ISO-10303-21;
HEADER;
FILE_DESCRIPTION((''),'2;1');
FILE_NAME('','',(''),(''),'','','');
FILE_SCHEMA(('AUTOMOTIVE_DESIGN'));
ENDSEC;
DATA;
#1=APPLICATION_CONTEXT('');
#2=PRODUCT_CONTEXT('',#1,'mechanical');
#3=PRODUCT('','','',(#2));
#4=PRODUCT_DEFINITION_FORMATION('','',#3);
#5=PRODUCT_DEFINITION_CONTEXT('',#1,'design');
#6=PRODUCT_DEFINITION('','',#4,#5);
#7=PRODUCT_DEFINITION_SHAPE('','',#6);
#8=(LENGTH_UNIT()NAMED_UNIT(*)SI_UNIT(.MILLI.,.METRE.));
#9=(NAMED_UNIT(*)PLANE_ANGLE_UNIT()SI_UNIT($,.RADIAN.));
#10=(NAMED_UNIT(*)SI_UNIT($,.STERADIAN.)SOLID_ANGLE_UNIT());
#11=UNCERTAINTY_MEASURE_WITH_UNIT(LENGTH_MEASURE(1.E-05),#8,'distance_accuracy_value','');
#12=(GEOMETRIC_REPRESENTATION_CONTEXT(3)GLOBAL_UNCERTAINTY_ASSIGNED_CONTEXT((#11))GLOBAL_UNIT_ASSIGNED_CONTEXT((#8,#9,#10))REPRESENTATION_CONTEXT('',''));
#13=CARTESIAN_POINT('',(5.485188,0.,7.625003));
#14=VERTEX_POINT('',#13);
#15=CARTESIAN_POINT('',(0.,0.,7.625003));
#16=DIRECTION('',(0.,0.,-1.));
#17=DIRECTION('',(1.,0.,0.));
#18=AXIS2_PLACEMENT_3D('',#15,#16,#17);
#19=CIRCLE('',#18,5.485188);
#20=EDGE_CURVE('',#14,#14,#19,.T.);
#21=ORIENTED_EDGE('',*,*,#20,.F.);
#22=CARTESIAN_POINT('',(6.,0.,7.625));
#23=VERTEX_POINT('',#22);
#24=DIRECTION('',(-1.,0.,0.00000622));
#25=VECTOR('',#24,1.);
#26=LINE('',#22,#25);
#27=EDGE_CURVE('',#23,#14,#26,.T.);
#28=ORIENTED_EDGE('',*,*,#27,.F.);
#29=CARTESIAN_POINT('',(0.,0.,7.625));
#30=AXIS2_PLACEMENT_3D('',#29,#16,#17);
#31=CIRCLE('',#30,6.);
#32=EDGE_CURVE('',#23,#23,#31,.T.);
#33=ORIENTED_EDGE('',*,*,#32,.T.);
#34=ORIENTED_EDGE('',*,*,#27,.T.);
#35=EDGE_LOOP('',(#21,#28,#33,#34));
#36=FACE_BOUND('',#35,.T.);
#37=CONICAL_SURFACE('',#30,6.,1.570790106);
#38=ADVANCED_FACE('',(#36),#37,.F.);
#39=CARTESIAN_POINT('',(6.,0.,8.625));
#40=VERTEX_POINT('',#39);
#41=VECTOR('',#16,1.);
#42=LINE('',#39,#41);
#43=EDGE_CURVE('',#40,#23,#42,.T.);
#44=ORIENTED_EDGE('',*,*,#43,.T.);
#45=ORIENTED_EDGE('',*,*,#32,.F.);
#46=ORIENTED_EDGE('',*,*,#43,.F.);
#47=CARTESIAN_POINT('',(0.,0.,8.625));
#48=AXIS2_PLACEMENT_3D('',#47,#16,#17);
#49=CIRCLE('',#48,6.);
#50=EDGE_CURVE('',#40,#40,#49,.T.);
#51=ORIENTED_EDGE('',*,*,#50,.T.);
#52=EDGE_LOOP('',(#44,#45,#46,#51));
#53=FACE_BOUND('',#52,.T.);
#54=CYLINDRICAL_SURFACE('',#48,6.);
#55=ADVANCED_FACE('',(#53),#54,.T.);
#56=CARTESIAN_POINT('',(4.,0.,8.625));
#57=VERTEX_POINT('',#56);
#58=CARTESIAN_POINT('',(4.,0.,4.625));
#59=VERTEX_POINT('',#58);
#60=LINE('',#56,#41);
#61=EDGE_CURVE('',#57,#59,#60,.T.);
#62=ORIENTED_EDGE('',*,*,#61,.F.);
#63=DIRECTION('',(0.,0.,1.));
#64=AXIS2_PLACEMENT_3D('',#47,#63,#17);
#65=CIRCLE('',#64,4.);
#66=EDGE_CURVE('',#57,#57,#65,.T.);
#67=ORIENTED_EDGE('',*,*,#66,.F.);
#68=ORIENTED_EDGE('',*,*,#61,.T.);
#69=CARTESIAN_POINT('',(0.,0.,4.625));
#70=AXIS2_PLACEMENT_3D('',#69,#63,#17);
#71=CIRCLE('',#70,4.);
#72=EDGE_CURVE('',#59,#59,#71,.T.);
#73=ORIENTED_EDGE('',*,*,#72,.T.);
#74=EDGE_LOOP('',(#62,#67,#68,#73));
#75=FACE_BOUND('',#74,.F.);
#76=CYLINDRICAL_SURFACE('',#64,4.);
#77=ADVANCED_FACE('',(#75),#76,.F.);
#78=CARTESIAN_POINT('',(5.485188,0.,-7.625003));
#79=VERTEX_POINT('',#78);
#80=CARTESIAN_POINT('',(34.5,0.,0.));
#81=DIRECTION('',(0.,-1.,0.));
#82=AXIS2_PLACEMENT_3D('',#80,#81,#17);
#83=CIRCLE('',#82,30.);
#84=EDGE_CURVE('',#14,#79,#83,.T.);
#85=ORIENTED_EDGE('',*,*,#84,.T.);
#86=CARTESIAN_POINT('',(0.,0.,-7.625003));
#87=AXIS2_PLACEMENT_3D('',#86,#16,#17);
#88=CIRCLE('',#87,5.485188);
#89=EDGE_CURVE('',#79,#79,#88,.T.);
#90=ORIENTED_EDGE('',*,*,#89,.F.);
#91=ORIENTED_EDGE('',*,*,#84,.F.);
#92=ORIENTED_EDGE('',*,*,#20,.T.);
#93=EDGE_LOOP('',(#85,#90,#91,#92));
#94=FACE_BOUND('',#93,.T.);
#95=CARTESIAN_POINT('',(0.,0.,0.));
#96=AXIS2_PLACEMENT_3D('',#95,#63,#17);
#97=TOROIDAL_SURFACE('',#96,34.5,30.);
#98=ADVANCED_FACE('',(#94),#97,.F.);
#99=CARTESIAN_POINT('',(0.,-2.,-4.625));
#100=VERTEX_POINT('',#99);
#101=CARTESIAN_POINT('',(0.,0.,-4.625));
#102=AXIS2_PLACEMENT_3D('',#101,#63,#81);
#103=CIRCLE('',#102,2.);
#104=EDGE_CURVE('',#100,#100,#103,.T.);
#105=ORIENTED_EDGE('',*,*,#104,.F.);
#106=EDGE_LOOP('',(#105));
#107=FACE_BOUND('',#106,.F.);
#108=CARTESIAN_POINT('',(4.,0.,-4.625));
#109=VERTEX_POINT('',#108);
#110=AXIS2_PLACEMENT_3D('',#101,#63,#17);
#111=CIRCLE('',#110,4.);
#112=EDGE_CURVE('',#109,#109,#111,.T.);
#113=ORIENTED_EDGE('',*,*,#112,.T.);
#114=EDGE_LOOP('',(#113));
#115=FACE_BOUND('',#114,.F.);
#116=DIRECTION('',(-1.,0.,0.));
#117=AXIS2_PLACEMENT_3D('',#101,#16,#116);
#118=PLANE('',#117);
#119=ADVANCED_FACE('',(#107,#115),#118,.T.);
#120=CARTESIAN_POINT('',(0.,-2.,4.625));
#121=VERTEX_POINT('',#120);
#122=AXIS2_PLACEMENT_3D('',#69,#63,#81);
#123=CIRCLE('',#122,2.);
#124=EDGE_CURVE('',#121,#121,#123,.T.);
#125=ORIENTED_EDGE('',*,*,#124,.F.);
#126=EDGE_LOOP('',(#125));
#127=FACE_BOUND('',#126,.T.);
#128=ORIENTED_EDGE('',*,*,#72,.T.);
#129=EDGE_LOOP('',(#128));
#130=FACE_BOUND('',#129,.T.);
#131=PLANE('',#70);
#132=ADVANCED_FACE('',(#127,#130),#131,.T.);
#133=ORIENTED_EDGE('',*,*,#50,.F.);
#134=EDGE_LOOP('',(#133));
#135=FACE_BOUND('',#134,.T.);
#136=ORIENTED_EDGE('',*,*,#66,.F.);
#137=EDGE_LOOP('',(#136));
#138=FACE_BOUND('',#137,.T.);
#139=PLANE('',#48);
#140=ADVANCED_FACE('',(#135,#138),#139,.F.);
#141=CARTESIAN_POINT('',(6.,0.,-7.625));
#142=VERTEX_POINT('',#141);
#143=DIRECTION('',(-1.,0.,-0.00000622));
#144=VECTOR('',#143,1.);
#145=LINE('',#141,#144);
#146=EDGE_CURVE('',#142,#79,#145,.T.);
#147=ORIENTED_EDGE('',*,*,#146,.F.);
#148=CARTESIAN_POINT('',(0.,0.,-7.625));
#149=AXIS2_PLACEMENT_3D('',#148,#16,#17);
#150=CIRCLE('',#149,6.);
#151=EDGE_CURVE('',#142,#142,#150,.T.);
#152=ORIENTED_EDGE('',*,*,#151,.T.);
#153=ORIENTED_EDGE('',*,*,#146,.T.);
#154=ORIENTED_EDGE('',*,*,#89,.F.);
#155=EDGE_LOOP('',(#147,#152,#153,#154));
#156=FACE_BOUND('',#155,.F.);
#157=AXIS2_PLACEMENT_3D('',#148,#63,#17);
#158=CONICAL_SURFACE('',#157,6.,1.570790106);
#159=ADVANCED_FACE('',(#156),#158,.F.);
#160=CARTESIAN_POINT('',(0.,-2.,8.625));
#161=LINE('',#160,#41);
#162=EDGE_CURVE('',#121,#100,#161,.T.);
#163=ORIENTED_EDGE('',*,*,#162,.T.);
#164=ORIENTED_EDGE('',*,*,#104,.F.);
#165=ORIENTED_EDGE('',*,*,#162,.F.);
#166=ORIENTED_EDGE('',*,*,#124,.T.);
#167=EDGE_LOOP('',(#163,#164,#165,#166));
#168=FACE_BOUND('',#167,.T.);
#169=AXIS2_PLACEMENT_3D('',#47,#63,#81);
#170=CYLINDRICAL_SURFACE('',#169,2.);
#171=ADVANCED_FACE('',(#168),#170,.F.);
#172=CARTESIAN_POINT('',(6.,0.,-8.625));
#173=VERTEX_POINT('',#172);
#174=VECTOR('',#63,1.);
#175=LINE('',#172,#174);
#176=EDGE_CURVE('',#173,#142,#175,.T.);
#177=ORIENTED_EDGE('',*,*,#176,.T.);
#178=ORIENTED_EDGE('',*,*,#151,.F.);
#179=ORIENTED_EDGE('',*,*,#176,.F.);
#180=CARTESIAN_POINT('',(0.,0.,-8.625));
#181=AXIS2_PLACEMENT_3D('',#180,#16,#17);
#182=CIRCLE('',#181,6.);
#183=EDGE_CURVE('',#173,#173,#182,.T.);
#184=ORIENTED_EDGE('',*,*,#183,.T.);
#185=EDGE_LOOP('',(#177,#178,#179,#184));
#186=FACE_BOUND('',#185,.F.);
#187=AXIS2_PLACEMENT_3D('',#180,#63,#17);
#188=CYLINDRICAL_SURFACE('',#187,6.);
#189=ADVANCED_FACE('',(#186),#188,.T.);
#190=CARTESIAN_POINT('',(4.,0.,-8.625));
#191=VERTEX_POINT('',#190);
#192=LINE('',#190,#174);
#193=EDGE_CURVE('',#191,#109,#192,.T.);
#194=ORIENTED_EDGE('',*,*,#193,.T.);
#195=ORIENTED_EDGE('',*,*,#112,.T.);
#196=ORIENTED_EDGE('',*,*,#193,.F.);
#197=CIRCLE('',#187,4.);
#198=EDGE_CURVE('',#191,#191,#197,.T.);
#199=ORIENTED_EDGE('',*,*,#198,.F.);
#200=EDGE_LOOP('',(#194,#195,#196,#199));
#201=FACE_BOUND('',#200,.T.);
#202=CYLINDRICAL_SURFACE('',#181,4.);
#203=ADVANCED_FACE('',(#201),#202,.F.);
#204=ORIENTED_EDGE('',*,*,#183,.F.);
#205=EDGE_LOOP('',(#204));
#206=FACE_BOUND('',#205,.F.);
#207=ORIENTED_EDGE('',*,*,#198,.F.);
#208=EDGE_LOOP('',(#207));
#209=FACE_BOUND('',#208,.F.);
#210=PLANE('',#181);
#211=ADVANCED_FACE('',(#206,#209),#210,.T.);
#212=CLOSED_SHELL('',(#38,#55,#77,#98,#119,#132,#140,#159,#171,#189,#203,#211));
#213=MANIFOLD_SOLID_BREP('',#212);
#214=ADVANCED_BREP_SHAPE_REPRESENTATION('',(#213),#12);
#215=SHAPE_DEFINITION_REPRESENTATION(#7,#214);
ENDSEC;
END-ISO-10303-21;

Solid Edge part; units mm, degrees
sketch "Sketch1" plane through (0, 0, 0) normal (0, -1, 0) x (1, 0, 0)
  arc A0 (5.4852, 7.625) -> (5.4852, -7.625) centre (34.5, 0) ccw
  line L0 (6, -7.625) -> (5.4852, -7.625)
  line L1 (6, -8.625) -> (6, -7.625)
  line L2 (0, -8.625) -> (6, -8.625)
  line L3 (0, 8.625) -> (0, -8.625)
  line L4 (0, 8.625) -> (6, 8.625)
  line L5 (6, 8.625) -> (6, 7.625)
  line L6 (6, 7.625) -> (5.4852, 7.625)
revolve "RevolvedProtrusion1" add sketch "Sketch1" angle 360 about axis through (0, 0, 8.625) along (0, 0, -1)
hole "Hole1" at (0, 0, 8.625) direction (0, 0, -1) diameter 4 end up to next
sketch "Sketch2" plane through (0, 0, 8.625) normal (0, 0, 1) x (1, 0, 0)
  circle A0 centre (0, 0) radius 4
extrude "VaciadoExtruido_1" cut sketch "Sketch2" against normal blind 4
mirror "Mirror1" about plane through (0, 0, 0) normal (0, 0, 1) of "VaciadoExtruido_1"
